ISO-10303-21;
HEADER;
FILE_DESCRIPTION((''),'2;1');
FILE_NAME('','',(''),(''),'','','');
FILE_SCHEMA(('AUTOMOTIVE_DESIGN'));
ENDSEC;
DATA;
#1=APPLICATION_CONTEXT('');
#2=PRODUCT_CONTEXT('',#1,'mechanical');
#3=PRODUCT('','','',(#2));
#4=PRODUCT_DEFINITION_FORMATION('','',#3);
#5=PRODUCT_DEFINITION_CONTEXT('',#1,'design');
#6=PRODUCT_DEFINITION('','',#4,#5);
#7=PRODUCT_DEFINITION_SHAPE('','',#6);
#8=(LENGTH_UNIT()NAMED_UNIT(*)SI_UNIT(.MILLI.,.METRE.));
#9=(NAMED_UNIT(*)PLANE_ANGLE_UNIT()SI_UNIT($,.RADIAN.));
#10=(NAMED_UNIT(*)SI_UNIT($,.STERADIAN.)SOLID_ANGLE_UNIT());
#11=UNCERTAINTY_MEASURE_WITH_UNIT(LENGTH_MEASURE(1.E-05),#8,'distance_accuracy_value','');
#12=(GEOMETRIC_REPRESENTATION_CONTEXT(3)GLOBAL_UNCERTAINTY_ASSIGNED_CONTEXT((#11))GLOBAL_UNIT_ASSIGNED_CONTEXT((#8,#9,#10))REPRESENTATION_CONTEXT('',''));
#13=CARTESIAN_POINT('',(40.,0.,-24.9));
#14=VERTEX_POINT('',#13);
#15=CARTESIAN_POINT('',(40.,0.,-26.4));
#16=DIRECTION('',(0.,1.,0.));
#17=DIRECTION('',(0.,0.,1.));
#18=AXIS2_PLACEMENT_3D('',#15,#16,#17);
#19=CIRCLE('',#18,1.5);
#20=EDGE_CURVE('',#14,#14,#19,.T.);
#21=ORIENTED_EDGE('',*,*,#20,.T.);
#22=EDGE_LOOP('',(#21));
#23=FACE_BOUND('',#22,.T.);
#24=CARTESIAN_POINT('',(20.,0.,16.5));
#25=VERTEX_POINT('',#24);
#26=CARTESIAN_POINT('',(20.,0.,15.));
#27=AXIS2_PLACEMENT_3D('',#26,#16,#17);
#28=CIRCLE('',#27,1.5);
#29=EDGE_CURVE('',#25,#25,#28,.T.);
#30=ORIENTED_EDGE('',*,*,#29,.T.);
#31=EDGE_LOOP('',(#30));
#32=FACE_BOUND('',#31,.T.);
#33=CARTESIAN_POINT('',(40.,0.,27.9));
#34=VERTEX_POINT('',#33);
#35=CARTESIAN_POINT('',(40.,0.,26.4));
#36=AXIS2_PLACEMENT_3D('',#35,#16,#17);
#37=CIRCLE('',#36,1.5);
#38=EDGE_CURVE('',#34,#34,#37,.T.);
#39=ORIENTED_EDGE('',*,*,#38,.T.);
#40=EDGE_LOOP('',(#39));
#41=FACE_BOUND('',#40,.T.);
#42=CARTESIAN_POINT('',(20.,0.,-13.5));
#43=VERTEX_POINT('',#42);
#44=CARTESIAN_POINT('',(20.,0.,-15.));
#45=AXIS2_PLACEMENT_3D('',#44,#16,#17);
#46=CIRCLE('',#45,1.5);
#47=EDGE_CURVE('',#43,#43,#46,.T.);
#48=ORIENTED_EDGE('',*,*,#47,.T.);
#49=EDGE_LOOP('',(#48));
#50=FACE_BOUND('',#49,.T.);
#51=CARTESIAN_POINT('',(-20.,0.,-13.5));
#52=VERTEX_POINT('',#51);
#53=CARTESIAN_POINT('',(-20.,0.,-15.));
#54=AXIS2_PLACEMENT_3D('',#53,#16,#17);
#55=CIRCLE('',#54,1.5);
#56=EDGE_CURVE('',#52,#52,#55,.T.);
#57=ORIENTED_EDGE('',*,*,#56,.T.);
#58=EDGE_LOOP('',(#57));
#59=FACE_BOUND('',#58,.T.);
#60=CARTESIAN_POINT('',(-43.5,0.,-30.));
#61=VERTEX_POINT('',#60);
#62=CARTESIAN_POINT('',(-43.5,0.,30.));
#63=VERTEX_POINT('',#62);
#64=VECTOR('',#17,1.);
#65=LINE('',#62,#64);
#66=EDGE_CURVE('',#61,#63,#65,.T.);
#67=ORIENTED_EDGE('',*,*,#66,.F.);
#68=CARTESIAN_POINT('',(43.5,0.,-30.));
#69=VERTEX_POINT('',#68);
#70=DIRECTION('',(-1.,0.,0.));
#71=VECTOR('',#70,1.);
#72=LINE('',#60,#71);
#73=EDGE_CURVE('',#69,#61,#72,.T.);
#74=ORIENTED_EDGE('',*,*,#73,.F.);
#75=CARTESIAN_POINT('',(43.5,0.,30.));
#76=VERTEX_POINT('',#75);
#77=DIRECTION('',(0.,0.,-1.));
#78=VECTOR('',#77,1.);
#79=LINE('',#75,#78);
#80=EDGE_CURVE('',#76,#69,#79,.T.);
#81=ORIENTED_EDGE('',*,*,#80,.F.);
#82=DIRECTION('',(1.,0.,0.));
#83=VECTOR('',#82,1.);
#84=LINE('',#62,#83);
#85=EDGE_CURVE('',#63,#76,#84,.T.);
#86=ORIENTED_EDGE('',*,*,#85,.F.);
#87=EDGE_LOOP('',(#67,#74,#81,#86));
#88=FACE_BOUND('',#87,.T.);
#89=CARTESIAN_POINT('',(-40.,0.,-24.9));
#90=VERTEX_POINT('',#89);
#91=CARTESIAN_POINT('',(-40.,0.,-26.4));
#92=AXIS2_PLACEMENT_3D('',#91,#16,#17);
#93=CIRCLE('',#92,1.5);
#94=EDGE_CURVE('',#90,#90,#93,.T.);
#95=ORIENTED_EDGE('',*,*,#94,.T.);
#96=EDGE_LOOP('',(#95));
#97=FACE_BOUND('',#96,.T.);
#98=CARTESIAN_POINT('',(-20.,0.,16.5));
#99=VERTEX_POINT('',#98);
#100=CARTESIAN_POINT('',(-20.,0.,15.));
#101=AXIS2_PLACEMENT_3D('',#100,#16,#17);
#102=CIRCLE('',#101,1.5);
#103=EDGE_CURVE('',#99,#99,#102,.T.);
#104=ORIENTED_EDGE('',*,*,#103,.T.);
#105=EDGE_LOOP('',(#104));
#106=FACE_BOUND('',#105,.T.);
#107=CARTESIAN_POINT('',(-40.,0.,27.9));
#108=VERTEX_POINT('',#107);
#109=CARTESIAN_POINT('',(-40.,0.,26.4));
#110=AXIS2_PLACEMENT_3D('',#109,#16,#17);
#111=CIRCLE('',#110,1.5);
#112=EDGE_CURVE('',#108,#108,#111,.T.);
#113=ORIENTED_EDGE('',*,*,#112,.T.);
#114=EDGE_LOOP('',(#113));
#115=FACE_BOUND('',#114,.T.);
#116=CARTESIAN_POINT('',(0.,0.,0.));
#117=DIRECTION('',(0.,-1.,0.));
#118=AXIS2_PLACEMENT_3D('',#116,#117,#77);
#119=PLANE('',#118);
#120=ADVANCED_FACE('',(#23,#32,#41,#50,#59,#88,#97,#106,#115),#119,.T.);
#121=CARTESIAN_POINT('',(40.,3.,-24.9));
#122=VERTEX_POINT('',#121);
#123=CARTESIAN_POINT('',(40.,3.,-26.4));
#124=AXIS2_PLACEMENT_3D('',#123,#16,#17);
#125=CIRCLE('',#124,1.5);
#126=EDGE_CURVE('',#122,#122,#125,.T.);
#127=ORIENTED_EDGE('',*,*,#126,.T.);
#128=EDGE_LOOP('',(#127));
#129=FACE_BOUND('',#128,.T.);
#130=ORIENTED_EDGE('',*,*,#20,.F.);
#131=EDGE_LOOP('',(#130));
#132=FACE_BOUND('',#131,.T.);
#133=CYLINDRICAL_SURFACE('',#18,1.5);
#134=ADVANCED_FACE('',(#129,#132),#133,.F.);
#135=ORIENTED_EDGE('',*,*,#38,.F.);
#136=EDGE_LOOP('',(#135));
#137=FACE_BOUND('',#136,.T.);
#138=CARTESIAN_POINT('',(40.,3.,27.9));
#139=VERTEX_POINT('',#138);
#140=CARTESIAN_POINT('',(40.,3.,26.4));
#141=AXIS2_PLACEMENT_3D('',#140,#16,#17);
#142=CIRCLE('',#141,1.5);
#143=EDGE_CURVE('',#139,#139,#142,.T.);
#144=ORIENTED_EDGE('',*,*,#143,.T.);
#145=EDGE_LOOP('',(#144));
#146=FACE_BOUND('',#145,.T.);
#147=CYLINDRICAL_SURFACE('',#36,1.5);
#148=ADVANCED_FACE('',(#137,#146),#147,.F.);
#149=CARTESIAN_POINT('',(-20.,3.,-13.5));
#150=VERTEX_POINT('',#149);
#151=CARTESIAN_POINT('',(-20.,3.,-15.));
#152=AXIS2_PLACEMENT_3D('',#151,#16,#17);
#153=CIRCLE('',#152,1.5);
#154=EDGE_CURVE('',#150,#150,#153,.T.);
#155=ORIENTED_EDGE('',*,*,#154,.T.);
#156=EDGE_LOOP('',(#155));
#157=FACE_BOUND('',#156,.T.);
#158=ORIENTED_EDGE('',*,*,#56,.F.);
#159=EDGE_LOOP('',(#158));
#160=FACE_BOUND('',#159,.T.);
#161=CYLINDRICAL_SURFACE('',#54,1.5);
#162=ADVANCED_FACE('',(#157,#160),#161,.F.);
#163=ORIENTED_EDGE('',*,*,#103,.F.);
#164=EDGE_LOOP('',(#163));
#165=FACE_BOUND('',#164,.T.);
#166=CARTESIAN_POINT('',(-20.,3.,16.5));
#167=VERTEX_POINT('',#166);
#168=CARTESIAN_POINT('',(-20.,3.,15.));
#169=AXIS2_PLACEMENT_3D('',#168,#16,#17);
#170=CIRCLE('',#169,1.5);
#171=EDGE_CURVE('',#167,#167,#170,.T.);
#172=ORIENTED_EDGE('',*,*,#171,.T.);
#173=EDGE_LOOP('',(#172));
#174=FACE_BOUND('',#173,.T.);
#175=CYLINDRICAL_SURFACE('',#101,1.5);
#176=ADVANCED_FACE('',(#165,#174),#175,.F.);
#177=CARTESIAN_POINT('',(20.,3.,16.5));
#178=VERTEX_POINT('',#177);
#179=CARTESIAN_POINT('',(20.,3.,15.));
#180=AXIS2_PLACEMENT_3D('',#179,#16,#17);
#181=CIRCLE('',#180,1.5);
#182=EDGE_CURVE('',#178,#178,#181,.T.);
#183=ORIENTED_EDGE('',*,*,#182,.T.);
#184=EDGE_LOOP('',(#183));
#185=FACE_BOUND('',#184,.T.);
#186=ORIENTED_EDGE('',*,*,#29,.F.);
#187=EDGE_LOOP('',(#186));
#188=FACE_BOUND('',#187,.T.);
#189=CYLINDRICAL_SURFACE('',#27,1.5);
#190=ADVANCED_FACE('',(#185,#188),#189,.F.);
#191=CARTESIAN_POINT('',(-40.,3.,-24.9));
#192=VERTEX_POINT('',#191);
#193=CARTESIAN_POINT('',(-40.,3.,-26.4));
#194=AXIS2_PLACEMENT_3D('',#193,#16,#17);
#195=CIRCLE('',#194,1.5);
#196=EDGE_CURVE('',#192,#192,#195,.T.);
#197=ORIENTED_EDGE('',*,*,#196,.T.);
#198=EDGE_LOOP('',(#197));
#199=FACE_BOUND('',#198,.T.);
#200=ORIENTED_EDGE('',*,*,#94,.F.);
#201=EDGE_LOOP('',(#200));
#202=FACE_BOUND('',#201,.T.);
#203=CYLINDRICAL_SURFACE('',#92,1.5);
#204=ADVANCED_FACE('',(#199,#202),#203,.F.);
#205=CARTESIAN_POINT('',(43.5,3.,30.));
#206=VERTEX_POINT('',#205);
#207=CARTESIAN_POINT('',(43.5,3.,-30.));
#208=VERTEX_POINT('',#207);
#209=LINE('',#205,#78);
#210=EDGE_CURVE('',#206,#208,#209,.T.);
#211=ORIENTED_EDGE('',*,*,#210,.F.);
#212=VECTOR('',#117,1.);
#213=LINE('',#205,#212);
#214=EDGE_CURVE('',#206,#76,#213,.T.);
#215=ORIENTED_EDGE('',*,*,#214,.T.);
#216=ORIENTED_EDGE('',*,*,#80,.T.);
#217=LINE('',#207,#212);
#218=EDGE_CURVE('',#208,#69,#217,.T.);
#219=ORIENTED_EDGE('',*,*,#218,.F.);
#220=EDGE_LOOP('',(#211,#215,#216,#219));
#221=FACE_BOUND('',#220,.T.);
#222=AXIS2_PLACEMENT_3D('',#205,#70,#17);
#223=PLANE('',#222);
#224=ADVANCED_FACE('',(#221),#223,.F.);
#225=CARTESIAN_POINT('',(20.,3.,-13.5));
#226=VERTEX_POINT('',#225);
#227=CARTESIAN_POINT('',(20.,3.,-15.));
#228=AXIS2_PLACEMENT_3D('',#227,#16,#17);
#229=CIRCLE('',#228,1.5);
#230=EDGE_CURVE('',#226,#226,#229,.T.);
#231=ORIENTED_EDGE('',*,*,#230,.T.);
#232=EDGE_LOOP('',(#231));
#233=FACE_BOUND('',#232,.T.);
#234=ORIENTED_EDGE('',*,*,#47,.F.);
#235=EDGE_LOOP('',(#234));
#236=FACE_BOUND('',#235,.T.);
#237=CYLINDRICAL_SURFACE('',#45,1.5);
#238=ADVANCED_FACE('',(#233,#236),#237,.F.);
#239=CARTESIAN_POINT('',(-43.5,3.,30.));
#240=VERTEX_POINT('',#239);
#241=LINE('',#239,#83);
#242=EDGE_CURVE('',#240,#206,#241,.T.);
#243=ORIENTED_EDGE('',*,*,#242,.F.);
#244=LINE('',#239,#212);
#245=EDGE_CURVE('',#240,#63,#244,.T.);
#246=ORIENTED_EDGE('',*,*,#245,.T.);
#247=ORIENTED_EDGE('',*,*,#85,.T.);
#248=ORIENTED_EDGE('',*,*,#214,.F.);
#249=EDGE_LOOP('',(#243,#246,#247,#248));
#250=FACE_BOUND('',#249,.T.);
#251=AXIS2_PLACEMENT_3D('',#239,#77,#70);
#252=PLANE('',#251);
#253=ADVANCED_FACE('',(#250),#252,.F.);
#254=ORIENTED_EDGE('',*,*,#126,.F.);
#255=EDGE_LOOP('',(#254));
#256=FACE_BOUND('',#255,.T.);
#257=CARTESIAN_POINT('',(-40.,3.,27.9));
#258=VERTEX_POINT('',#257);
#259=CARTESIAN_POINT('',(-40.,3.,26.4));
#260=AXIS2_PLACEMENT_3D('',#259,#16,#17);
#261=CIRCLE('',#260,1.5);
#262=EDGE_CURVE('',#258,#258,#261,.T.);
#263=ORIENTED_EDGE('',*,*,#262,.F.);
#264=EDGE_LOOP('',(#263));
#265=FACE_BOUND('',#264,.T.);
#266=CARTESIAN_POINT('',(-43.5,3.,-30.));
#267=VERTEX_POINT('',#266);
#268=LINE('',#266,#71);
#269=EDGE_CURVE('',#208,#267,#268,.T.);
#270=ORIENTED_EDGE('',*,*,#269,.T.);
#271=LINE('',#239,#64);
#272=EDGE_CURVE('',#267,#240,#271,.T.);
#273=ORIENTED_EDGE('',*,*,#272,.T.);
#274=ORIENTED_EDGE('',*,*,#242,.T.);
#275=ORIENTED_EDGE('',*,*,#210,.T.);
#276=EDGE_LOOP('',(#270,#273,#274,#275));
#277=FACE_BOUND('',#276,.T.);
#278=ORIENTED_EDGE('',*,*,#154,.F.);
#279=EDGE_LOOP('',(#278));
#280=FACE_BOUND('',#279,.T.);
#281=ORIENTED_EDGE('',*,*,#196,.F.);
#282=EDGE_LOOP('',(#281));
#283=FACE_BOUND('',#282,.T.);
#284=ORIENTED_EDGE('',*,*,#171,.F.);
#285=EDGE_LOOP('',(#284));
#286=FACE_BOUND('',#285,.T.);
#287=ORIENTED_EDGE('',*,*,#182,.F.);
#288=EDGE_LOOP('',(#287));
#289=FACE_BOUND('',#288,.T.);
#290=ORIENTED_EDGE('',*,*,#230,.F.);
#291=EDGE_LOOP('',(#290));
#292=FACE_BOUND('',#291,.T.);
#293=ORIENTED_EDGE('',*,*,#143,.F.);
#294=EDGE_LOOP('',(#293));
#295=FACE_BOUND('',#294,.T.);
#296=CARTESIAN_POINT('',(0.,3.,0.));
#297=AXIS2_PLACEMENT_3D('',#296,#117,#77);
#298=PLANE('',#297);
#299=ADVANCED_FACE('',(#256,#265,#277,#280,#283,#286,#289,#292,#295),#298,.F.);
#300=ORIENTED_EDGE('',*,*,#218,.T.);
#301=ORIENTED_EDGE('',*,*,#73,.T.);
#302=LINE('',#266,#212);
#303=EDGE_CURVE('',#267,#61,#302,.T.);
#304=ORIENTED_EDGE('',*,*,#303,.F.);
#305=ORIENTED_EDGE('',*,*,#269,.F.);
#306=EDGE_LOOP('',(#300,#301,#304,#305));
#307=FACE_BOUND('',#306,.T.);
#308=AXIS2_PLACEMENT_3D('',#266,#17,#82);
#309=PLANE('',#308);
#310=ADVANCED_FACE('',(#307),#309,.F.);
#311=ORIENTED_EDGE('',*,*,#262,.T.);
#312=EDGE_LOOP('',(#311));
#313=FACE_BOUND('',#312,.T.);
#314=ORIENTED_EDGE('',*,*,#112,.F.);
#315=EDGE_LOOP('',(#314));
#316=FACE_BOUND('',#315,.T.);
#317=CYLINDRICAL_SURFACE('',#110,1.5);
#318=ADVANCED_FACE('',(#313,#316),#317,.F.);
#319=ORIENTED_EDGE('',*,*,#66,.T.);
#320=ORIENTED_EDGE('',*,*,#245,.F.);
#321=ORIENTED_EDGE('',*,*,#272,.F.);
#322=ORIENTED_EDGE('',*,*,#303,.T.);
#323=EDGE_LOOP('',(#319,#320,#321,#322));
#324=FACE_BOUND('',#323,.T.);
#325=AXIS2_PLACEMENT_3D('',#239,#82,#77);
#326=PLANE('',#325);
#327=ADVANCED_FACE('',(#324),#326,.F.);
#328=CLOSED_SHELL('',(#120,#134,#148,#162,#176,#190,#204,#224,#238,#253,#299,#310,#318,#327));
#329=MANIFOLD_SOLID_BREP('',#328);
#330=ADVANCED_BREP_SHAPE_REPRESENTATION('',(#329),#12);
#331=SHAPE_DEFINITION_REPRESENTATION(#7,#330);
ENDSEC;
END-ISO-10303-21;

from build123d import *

# Parameters (mm, degrees)
SKETCH_1_W          = 87
SKETCH_1_H          = 60
EXTRUDE_1_DEPTH     = 3
SKETCH_2_R          = 1.5
CUT_EXTRUDE_1_DEPTH = 53.926836293
SKETCH_3_R          = 1.5
CUT_EXTRUDE_2_DEPTH = 53.926836293


with BuildPart() as part:
    # 草图1 → 凸台-拉伸1 (new body)
    with BuildSketch(Plane(origin=(0, 0, 0), x_dir=(1, 0, 0), z_dir=(0, 1, 0))):
        Rectangle(SKETCH_1_W, SKETCH_1_H)
    extrude(amount=EXTRUDE_1_DEPTH)

    # 草图2 → 切除-拉伸1 (cut, through all)
    with BuildSketch(Plane(origin=(0, 3, 0), x_dir=(1, 0, 0), z_dir=(0, 1, 0))):
        with Locations(Location((-40, 26.4, 0), (0, 0, 270))):
            Circle(SKETCH_2_R)
        with Locations(Location((40, 26.4, 0), (0, 0, 270))):
            Circle(SKETCH_2_R)
        with Locations(Location((40, -26.4, 0), (0, 0, 270))):
            Circle(SKETCH_2_R)
        with Locations(Location((-40, -26.4, 0), (0, 0, 270))):
            Circle(SKETCH_2_R)
    extrude(amount=-CUT_EXTRUDE_1_DEPTH, mode=Mode.SUBTRACT)

    # 草图3 → 切除-拉伸2 (cut, through all)
    with BuildSketch(Plane(origin=(0, 3, 0), x_dir=(1, 0, 0), z_dir=(0, 1, 0))):
        with Locations(Location((20, 15, 0), (0, 0, 270))):
            Circle(SKETCH_3_R)
        with Locations(Location((20, -15, 0), (0, 0, 270))):
            Circle(SKETCH_3_R)
        with Locations(Location((-20, 15, 0), (0, 0, 270))):
            Circle(SKETCH_3_R)
        with Locations(Location((-20, -15, 0), (0, 0, 270))):
            Circle(SKETCH_3_R)
    extrude(amount=-CUT_EXTRUDE_2_DEPTH, mode=Mode.SUBTRACT)


solid = part.part
